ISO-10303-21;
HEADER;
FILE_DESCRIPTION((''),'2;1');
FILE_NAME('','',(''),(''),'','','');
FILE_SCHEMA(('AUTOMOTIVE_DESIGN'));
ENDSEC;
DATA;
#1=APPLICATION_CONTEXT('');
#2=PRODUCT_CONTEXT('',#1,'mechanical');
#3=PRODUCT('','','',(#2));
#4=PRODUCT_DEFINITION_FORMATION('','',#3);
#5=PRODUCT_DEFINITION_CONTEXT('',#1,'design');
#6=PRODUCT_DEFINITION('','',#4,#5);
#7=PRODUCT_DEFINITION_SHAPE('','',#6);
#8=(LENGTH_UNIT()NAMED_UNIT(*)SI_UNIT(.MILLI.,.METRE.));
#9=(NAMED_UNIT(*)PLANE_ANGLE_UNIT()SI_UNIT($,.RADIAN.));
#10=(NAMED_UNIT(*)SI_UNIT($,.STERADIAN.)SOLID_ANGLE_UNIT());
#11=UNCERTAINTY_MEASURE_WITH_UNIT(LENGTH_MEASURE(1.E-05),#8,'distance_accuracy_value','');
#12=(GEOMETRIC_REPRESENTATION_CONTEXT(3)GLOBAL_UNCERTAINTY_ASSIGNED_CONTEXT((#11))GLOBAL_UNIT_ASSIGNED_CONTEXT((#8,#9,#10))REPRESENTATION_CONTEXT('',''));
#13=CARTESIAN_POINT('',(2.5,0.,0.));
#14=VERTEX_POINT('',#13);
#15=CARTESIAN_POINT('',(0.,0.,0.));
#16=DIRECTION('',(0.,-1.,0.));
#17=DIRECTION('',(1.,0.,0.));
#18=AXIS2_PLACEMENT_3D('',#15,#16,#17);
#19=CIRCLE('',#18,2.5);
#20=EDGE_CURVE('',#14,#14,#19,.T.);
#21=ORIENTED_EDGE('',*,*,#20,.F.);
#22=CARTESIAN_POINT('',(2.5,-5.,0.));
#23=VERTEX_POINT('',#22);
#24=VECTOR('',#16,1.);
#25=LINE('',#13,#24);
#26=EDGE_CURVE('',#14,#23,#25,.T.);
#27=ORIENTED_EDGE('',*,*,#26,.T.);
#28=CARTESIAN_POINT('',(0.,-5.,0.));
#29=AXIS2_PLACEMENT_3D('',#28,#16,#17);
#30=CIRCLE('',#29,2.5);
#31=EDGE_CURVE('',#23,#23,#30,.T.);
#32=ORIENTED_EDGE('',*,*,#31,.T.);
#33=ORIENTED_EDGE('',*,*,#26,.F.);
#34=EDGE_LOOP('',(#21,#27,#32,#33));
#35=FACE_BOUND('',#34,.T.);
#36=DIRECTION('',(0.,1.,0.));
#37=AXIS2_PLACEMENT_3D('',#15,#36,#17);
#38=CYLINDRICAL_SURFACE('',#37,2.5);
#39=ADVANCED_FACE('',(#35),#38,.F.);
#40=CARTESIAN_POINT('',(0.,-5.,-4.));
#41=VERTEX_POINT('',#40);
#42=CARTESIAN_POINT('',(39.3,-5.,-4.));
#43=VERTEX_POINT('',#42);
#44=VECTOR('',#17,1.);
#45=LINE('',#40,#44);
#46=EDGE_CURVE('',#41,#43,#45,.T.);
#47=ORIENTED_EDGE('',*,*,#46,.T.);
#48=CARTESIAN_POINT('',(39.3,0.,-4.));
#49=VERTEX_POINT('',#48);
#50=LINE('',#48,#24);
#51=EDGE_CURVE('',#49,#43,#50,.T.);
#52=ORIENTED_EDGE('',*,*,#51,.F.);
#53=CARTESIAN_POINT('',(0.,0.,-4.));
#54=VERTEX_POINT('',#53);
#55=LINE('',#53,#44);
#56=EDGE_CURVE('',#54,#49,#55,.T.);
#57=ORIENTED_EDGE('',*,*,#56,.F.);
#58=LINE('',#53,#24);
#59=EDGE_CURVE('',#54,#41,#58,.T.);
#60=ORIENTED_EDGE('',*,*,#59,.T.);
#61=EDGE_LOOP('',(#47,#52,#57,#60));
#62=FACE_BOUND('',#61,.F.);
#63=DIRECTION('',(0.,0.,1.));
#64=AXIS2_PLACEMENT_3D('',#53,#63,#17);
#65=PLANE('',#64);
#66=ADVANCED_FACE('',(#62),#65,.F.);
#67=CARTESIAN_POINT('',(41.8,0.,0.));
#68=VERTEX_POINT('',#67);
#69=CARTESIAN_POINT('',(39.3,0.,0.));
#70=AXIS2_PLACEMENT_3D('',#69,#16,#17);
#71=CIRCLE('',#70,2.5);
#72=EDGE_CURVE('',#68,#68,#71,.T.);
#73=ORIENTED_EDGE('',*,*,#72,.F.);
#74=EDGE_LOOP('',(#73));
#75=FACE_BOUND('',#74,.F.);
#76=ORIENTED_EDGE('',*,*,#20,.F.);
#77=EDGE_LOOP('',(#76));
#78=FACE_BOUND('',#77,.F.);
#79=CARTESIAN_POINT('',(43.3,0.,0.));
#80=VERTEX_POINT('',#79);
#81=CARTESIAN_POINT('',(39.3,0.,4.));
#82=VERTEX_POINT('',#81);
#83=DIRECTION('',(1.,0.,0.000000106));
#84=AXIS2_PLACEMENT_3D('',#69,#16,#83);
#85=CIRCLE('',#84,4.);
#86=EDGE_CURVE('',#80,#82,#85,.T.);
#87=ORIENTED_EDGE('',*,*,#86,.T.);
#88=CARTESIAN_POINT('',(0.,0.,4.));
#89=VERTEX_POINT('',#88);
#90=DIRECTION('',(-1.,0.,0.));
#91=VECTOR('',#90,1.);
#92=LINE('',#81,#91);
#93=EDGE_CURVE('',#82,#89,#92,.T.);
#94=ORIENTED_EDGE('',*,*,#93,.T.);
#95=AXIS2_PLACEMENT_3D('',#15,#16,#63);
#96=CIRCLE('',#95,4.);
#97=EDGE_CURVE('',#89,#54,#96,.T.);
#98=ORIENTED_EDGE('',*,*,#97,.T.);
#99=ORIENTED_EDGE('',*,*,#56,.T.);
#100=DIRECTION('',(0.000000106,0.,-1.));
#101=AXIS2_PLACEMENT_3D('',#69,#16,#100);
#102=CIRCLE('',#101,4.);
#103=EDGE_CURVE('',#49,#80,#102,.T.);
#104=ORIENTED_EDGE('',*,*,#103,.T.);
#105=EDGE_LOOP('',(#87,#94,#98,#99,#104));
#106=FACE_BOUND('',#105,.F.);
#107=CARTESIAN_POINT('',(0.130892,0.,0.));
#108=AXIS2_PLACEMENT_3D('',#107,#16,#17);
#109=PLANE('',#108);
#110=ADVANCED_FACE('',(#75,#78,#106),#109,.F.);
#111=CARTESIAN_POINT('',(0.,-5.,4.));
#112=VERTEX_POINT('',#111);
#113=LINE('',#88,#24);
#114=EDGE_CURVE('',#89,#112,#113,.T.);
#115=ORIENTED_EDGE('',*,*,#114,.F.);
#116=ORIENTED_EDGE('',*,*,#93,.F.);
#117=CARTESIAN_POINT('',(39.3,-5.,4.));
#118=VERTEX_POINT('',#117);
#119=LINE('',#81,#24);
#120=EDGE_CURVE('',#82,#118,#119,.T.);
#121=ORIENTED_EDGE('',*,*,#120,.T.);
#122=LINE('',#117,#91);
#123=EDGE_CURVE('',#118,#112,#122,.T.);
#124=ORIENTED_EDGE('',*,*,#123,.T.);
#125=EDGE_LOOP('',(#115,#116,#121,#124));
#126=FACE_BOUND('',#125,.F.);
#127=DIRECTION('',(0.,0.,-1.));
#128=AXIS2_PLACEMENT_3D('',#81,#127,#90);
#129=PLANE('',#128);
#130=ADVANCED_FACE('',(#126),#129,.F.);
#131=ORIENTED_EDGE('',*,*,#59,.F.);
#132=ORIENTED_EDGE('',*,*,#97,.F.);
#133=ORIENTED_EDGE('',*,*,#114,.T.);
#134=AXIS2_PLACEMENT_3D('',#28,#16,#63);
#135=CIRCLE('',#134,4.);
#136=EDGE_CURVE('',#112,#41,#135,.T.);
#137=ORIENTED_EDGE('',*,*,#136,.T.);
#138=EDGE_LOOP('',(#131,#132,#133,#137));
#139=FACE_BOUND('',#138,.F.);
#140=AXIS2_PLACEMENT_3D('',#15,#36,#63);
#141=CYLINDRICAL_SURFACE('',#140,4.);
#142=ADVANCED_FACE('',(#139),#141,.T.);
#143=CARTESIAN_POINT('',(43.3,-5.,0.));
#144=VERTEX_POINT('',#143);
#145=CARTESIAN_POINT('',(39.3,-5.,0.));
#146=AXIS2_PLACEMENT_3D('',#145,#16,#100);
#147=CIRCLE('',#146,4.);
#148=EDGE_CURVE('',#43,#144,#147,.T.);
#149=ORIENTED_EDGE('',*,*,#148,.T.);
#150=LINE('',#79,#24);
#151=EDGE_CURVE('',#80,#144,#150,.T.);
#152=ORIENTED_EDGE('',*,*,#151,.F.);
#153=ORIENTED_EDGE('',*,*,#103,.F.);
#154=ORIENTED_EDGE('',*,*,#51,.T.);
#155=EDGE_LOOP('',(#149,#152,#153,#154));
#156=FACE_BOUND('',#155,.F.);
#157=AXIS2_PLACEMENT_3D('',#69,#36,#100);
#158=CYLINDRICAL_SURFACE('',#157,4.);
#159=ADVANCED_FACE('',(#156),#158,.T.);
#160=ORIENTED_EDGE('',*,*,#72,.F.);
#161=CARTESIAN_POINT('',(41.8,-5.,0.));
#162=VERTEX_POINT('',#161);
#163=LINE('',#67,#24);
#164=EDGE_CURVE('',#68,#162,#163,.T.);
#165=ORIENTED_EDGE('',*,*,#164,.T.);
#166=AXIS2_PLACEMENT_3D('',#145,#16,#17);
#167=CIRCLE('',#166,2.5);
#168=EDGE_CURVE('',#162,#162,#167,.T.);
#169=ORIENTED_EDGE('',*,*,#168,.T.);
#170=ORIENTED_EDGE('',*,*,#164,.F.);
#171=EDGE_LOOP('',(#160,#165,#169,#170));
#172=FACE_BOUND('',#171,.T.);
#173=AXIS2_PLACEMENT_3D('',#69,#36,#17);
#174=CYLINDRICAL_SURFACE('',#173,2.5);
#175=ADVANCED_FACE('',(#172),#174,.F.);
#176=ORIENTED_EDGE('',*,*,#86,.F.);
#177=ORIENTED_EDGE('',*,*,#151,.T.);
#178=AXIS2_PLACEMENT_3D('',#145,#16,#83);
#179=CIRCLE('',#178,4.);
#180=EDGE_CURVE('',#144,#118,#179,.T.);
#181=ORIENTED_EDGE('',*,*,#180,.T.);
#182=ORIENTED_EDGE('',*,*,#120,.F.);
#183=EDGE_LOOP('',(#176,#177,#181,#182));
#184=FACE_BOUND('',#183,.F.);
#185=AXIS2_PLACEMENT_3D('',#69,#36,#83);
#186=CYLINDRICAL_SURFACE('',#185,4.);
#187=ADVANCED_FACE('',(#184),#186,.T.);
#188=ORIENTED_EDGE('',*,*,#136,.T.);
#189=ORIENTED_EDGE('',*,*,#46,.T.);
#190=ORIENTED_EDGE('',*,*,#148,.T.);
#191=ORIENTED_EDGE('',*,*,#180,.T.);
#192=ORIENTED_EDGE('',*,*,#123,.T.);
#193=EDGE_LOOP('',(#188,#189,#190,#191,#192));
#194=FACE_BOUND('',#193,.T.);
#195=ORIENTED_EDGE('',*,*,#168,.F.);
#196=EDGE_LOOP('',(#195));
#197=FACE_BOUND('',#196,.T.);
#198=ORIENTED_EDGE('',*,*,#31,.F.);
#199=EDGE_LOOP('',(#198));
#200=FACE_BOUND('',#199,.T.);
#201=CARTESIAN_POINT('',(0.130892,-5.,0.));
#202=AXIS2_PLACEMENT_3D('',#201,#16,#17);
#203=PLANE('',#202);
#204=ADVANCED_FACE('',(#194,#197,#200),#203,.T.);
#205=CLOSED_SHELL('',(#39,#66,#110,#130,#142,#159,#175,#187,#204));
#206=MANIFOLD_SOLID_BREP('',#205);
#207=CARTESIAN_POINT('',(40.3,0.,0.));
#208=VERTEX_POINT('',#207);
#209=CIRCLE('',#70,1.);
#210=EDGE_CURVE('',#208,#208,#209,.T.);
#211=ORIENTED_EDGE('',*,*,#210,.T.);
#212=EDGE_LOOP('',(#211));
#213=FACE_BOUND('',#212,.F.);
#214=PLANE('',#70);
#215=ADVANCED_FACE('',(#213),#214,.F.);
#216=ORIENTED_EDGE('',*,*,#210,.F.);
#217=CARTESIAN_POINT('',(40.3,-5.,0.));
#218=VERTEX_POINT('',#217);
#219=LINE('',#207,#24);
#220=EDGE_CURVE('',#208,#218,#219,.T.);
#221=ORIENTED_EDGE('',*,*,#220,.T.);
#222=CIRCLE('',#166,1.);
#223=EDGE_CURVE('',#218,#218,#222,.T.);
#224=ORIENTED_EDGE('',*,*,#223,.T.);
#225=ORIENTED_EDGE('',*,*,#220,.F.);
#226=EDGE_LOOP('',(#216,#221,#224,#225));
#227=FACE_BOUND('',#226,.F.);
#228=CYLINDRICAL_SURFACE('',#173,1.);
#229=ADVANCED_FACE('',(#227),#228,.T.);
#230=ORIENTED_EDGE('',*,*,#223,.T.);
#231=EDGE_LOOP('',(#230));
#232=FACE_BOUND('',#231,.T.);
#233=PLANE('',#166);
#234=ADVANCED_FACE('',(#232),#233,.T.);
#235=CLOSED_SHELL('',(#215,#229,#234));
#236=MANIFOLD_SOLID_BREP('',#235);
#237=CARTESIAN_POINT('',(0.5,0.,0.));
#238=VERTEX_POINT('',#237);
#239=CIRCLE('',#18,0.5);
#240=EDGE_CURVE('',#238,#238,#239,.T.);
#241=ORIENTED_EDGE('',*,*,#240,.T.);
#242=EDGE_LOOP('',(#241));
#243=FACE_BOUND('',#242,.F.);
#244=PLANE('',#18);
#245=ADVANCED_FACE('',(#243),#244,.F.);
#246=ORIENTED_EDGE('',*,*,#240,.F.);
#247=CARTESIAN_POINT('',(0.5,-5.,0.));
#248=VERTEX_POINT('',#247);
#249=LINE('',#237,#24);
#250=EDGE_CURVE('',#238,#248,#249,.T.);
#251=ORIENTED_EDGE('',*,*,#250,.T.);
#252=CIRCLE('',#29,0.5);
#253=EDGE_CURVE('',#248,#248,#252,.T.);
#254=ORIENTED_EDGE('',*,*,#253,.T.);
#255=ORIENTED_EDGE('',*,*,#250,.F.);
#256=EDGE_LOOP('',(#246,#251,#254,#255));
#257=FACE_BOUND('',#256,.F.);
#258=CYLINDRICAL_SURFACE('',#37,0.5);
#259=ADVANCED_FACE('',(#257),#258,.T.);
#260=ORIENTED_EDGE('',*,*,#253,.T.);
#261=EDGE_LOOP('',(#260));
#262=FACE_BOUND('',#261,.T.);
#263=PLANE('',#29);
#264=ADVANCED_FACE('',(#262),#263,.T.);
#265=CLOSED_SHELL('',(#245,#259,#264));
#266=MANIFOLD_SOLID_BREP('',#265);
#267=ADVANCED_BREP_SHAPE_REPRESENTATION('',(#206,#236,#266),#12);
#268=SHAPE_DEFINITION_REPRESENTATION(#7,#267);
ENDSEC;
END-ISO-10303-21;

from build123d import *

# Parameters (mm, degrees)
F0_R     = 2.5
F0_R_2   = 0.5
F0_R_3   = 1
F1_DEPTH = 5


with BuildPart() as f1:
    # F0 (on Front) → F1 (new body)
    with BuildSketch(Plane.XZ):
        with BuildLine():
            ThreePointArc((0, -4), (2.828427, -2.828427), (4, 0))
            ThreePointArc((4, 0), (2.828427, 2.828427), (0, 4))
            ThreePointArc((0, 4), (-4, 0), (0, -4))
        make_face()
        Circle(F0_R, mode=Mode.SUBTRACT)
        with BuildLine():
            ThreePointArc((0, 4), (2.828427, 2.828427), (4, 0))
            ThreePointArc((4, 0), (2.828427, -2.828427), (0, -4))
            Line((0, -4), (39.3, -4))
            ThreePointArc((39.3, -4), (35.3, 0), (39.3, 4))
            Line((39.3, 4), (0, 4))
        make_face()
        with BuildLine():
            ThreePointArc((43.3, 0), (42.128427, 2.828427), (39.3, 4))
            ThreePointArc((39.3, 4), (35.3, 0), (39.3, -4))
            ThreePointArc((39.3, -4), (42.128427, -2.828427), (43.3, 0))
        make_face()
        with Locations((39.3, 0)):
            Circle(F0_R, mode=Mode.SUBTRACT)
        Circle(F0_R_2)
        with Locations((39.3, 0)):
            Circle(F0_R_3)
    extrude(amount=F1_DEPTH)


solid = f1.part
